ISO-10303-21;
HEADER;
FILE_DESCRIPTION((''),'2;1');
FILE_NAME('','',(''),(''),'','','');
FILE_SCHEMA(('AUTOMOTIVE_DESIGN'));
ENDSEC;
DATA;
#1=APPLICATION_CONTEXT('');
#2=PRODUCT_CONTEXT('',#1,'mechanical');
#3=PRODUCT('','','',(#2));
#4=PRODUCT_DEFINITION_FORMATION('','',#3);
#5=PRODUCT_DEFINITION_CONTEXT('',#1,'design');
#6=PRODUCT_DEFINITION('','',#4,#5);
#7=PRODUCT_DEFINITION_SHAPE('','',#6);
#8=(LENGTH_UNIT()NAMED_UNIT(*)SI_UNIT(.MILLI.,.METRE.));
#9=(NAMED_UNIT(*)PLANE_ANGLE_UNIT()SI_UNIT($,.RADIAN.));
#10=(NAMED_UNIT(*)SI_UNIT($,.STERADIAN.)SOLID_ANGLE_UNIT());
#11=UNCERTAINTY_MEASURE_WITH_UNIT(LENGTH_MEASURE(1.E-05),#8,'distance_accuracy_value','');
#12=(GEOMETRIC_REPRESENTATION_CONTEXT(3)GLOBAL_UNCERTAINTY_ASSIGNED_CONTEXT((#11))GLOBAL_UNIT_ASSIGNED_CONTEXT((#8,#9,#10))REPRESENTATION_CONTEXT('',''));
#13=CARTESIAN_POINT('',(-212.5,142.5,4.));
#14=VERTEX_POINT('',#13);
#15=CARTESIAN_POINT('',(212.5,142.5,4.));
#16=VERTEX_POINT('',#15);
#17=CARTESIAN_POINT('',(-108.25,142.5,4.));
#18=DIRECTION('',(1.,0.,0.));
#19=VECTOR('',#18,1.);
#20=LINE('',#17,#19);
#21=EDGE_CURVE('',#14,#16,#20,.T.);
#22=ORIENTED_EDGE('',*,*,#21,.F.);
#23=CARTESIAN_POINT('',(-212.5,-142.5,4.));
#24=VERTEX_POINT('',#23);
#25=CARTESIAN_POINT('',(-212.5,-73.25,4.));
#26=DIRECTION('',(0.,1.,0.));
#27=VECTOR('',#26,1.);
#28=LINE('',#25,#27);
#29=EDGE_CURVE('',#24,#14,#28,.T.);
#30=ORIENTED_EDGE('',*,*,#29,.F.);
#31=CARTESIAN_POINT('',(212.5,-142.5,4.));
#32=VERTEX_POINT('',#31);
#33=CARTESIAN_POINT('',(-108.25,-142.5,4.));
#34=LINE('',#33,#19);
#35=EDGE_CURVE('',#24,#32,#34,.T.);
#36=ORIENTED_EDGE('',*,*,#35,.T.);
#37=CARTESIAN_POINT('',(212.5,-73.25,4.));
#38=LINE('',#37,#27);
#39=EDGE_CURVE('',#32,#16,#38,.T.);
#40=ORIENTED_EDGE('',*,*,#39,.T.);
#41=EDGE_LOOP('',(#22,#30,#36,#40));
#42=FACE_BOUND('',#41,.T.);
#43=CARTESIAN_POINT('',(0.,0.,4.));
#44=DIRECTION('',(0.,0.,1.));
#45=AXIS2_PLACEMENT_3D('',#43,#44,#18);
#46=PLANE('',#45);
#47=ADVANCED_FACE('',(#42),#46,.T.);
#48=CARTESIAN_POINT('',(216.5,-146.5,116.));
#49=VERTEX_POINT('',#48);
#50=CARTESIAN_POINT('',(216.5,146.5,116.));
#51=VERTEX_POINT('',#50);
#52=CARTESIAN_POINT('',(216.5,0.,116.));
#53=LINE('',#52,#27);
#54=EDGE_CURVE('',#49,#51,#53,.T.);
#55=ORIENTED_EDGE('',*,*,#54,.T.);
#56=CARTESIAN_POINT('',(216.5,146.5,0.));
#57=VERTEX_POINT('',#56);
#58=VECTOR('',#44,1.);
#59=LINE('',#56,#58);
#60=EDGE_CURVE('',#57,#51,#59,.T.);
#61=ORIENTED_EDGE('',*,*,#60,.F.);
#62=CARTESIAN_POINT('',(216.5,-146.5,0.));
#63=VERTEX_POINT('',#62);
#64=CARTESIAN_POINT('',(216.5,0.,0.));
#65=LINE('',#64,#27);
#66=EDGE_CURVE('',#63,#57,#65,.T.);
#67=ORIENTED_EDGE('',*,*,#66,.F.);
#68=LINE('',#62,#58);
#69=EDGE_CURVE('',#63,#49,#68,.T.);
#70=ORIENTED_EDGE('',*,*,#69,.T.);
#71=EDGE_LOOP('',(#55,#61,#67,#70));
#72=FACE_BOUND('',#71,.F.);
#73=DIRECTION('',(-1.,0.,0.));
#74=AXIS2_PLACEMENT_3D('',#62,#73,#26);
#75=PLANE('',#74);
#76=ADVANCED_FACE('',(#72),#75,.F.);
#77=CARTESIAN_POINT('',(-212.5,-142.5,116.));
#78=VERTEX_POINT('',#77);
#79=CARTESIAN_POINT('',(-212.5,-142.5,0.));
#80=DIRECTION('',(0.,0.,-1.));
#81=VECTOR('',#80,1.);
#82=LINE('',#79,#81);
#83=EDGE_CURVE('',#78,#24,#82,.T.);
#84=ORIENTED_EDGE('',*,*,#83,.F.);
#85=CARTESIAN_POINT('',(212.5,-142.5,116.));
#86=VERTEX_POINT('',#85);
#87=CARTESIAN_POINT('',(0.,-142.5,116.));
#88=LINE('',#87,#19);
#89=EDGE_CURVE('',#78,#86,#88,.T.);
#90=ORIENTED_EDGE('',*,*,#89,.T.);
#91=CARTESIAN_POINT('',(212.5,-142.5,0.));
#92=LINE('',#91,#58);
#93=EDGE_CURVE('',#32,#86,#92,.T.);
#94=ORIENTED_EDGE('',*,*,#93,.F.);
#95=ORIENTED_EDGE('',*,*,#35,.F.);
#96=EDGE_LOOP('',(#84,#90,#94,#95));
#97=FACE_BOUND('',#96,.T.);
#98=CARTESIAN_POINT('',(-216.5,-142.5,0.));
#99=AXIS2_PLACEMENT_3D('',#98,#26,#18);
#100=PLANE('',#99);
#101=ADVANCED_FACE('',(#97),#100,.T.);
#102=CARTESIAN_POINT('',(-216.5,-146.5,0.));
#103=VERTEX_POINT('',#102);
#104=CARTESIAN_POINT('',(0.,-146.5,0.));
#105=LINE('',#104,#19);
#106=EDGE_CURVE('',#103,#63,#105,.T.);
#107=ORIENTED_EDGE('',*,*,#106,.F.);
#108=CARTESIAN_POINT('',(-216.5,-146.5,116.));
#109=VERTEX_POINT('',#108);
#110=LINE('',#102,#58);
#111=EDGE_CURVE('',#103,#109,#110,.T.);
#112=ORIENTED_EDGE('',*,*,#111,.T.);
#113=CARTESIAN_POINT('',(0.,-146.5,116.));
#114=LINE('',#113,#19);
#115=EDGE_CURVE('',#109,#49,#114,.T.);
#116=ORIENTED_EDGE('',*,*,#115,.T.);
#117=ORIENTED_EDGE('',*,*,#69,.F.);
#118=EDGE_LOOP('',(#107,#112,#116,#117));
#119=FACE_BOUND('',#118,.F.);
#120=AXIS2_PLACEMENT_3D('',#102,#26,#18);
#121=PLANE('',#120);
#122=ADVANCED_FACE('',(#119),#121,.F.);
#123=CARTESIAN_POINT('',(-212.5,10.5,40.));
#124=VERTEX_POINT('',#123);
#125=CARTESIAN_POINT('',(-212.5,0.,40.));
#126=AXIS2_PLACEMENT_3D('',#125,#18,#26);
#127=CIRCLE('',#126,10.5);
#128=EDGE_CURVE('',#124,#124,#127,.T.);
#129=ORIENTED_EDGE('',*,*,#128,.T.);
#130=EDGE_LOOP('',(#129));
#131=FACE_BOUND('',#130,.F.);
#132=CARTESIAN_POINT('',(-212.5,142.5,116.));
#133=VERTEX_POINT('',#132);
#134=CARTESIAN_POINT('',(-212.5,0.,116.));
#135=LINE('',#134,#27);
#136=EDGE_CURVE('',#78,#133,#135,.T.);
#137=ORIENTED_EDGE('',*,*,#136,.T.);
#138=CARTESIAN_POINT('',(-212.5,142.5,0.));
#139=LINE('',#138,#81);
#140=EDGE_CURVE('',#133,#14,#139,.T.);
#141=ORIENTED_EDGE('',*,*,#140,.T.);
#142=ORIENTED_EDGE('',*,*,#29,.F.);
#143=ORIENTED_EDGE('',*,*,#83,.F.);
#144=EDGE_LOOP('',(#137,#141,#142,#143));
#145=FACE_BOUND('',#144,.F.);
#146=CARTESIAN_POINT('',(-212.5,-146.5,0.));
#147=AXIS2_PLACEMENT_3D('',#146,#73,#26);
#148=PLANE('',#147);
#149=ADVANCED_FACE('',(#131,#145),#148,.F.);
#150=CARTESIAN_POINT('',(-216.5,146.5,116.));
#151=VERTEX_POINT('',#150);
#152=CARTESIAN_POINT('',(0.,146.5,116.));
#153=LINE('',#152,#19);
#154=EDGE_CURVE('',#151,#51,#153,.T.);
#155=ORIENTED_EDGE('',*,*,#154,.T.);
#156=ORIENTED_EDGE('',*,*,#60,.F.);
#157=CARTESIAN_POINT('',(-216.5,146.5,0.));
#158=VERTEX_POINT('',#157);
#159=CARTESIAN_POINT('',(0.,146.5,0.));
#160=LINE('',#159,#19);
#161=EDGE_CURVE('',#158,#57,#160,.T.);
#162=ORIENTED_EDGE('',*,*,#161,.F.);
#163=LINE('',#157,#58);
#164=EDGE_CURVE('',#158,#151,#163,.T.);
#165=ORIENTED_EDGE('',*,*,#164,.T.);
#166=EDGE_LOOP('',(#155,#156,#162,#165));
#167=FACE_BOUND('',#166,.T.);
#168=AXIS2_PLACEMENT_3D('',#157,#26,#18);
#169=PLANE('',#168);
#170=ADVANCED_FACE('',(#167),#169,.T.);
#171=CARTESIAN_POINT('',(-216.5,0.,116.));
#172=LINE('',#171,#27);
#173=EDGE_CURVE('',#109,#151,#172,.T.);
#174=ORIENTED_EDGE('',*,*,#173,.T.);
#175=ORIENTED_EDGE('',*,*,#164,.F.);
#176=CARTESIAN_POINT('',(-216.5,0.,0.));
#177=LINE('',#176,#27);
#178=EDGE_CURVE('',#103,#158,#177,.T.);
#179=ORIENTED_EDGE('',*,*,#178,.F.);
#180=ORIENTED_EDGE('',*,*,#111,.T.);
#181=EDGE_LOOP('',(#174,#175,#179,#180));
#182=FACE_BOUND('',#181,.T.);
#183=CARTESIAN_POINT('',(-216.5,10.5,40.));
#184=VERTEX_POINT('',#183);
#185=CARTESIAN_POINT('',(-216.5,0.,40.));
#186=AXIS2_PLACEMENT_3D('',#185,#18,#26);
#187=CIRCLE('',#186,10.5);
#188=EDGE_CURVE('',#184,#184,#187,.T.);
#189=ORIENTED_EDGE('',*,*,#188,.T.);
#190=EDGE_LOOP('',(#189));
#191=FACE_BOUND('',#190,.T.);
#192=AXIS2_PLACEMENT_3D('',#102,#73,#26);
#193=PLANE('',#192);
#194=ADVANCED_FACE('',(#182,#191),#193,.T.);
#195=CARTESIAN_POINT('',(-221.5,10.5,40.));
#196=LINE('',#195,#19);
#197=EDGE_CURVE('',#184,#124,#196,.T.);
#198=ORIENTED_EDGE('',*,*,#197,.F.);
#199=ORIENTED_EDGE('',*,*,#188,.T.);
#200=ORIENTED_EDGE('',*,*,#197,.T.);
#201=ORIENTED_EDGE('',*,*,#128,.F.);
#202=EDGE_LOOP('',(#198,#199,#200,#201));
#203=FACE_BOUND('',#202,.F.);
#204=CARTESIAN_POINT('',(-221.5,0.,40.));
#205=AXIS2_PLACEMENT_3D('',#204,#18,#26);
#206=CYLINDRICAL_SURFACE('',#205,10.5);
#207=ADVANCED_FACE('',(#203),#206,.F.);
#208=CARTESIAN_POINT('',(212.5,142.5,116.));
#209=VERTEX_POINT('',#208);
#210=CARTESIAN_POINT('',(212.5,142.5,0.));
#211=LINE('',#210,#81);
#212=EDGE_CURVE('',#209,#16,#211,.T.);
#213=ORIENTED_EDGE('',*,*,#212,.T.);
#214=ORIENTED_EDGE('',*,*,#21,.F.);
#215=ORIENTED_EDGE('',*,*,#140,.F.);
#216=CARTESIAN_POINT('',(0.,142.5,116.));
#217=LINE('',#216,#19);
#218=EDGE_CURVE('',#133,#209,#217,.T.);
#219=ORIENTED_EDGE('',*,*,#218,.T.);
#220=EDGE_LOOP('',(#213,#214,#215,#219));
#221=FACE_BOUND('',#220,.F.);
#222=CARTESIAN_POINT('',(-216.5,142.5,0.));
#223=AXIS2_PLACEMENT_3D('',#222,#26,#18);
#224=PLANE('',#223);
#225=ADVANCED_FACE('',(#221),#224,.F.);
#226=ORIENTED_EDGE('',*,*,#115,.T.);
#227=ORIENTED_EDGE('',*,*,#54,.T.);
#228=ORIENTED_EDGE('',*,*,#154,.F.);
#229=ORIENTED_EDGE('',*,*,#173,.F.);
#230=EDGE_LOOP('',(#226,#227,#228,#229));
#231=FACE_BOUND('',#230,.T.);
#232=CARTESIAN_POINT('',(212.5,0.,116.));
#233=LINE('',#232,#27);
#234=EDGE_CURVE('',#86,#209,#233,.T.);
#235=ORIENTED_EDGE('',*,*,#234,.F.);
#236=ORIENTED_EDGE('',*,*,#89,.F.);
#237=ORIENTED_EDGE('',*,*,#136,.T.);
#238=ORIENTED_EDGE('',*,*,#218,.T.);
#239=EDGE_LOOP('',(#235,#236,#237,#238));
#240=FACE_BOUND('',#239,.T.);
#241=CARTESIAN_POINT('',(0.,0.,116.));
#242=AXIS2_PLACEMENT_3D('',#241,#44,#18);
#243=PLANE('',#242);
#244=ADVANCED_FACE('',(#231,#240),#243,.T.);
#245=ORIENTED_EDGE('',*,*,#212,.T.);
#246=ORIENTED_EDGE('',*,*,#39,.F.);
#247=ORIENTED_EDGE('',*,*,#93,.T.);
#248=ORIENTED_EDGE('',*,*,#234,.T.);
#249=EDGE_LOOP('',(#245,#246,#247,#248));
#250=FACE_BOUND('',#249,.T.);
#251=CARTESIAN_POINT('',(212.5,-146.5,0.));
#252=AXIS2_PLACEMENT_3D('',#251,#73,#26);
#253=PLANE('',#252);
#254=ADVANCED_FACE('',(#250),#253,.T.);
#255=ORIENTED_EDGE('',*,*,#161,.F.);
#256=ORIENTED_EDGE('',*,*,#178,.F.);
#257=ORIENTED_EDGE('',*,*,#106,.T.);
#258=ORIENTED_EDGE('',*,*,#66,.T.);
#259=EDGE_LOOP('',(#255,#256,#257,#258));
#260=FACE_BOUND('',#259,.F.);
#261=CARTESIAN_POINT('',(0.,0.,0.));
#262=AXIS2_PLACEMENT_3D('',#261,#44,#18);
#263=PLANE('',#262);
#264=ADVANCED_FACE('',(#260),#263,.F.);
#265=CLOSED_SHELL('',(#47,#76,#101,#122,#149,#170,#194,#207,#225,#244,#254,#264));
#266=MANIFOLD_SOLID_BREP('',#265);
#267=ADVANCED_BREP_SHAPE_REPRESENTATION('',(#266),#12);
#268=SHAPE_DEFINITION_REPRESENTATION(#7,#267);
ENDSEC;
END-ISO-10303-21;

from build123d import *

# Parameters (mm, degrees)
F0_W     = 433
F0_H     = 293
F1_DEPTH = 116
F2_T     = -4
F4_D     = 21
F4_DEPTH = 5


with BuildPart() as f1:
    # F0 (on Top) → F1 (new body)
    with BuildSketch(Plane.XY):
        Rectangle(F0_W, F0_H)
    extrude(amount=F1_DEPTH)

    # F2
    f2_openings = [f1.faces().sort_by_distance(p)[0] for p in [
        (0, 0, 116),
    ]]
    offset(amount=F2_T, openings=f2_openings)

    # F4
    with Locations(Plane(origin=(-216.5, 0, 0), x_dir=(0, -1, 0), z_dir=(-1, 0, 0))):
        with Locations((0, 40)):
            Hole(F4_D / 2, depth=F4_DEPTH)


solid = f1.part
